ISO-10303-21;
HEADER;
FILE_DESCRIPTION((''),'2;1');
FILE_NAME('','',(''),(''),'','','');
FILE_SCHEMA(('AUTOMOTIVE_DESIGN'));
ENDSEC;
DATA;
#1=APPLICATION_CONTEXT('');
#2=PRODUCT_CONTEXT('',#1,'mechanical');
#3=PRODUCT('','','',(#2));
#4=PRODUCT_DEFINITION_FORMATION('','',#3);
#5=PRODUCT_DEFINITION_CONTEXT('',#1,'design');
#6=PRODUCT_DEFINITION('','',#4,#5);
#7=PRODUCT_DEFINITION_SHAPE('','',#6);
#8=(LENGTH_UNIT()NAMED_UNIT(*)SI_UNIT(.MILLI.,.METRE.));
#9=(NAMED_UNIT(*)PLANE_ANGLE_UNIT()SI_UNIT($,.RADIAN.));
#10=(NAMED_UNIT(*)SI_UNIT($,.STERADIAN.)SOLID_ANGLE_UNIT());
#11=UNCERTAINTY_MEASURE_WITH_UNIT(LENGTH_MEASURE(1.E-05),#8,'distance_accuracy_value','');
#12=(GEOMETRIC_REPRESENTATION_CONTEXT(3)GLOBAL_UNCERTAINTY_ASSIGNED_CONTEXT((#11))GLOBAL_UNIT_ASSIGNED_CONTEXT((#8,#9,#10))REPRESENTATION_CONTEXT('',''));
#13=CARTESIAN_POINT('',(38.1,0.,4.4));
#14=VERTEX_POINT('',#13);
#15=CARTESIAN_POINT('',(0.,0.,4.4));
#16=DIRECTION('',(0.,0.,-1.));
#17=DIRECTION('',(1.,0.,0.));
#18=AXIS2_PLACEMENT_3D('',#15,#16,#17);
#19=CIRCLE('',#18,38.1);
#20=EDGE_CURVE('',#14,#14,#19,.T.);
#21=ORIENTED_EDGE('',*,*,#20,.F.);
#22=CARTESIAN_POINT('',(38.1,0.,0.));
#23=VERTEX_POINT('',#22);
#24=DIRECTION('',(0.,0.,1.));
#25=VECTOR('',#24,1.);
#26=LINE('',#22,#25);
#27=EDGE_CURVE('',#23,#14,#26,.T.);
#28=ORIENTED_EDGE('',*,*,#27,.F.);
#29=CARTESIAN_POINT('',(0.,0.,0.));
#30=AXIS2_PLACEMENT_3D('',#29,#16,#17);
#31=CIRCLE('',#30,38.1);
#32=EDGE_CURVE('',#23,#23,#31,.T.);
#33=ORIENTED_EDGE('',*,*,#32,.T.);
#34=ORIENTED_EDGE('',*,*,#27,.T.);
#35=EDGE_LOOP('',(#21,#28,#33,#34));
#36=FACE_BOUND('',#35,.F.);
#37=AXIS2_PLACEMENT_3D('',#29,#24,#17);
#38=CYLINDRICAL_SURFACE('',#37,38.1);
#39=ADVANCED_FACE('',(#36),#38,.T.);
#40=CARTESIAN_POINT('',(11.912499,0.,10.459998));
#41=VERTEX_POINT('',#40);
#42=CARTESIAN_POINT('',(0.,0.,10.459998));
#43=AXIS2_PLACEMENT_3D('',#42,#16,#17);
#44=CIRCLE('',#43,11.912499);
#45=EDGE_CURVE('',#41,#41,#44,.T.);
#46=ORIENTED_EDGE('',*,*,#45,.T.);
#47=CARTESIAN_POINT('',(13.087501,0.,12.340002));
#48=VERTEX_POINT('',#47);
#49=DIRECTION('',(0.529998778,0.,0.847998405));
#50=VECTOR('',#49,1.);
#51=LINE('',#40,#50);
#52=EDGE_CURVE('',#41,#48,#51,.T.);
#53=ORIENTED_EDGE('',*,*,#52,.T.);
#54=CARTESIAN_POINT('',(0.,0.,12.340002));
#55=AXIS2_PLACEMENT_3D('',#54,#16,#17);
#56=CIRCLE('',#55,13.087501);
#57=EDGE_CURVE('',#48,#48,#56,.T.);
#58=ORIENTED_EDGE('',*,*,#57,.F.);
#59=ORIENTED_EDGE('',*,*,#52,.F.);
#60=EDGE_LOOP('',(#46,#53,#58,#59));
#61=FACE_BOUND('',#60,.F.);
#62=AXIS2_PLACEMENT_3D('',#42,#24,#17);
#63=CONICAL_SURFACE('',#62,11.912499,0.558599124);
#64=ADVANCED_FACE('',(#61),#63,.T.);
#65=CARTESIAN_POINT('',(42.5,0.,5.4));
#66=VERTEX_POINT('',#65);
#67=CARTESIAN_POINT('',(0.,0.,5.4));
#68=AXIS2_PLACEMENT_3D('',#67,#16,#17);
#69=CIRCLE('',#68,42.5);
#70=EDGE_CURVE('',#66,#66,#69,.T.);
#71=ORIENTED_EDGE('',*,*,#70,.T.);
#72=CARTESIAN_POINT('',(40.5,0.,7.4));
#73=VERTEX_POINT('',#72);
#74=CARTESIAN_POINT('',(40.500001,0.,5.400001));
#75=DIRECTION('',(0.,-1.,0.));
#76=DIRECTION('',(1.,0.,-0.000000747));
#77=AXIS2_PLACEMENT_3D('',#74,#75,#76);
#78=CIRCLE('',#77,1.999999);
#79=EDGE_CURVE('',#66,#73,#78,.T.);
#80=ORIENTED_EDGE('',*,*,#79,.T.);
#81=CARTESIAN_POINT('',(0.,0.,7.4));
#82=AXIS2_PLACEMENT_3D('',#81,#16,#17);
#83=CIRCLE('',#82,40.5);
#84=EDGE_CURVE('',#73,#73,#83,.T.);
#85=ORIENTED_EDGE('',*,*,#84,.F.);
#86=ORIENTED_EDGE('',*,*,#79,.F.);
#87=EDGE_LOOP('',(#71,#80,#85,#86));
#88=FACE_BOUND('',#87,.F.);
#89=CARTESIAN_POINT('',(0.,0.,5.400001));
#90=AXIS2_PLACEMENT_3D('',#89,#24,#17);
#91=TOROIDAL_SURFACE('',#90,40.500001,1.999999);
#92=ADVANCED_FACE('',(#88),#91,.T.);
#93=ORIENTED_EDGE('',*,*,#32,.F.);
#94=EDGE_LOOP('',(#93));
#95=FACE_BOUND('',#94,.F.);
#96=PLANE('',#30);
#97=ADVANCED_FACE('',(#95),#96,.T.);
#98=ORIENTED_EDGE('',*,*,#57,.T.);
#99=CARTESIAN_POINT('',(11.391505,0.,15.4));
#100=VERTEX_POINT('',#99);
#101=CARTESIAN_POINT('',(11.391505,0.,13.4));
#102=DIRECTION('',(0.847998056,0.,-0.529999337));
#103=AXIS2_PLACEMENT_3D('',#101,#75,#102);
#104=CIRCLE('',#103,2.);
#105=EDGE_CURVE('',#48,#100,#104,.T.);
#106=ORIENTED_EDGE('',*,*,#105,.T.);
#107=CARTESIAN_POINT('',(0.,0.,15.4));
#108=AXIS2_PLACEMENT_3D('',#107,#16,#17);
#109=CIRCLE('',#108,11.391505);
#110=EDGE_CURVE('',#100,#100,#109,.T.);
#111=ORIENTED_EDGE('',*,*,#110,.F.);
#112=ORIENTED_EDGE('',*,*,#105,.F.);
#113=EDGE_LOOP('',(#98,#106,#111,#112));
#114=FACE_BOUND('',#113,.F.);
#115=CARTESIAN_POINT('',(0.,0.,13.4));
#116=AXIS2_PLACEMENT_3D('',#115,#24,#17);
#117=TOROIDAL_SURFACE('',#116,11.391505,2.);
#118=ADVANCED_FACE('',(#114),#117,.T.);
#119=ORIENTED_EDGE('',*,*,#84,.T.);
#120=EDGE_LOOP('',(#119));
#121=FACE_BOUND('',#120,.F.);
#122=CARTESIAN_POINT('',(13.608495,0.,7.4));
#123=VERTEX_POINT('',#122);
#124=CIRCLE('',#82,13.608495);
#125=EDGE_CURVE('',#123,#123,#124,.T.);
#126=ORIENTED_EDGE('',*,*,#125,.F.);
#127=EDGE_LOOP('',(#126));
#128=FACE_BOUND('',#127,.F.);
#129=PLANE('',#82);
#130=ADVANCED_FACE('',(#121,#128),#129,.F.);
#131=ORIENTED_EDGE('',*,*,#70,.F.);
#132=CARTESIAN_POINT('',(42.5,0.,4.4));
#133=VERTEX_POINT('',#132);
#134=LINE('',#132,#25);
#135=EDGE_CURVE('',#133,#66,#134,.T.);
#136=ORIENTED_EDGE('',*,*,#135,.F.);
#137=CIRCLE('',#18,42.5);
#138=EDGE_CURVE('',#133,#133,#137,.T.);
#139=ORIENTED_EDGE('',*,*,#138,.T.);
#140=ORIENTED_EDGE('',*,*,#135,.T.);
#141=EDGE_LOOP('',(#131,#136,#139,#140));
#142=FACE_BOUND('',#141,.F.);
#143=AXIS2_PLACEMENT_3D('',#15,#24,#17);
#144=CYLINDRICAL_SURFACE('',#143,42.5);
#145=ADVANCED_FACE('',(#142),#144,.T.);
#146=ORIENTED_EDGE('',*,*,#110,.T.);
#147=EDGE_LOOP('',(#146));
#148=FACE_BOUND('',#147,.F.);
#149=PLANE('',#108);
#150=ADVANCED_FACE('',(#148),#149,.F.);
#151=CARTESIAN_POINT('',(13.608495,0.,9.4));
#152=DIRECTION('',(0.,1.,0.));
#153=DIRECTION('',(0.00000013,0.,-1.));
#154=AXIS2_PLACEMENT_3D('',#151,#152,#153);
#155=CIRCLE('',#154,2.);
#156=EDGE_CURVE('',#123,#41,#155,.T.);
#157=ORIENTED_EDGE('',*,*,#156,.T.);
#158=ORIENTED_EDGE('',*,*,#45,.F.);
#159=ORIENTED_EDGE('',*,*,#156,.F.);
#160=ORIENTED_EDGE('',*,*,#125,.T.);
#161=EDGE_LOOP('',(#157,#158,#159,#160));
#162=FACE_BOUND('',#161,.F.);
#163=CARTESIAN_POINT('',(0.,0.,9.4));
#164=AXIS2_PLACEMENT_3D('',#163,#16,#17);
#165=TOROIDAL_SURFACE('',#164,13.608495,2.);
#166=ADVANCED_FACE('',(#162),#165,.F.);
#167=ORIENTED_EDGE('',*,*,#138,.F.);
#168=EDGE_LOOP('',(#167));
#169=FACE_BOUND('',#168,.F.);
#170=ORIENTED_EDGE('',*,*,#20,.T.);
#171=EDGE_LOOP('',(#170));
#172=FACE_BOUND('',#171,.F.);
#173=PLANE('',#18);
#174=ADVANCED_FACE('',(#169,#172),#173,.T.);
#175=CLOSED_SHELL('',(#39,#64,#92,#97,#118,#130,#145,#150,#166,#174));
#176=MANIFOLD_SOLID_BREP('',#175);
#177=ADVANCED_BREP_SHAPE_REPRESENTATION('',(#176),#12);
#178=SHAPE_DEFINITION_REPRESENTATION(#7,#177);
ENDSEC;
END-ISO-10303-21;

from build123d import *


with BuildPart() as f1:
    # F0 (on Front) → F1 (revolve)
    with BuildSketch(Plane.XZ):
        with BuildLine():
            Line((0, 0), (38.1, 0))
            Line((38.1, 0), (38.1, 4.4))
            Line((38.1, 4.4), (42.5, 4.4))
            Line((42.5, 4.4), (42.5, 5.4))
            ThreePointArc((42.5, 5.4), (41.914214, 6.814214), (40.5, 7.4))
            Line((40.5, 7.4), (13.608495, 7.4))
            ThreePointArc((13.608495, 7.4), (11.85921, 8.430463), (11.912499, 10.459998))
            Line((11.912499, 10.459998), (13.087501, 12.340002))
            ThreePointArc((13.087501, 12.340002), (13.14079, 14.369537), (11.391505, 15.4))
            Line((11.391505, 15.4), (0, 15.4))
            Line((0, 15.4), (0, 0))
        make_face()
    revolve(axis=Axis((0, 0, 11.437746), (0, 0, -1)))


solid = f1.part
